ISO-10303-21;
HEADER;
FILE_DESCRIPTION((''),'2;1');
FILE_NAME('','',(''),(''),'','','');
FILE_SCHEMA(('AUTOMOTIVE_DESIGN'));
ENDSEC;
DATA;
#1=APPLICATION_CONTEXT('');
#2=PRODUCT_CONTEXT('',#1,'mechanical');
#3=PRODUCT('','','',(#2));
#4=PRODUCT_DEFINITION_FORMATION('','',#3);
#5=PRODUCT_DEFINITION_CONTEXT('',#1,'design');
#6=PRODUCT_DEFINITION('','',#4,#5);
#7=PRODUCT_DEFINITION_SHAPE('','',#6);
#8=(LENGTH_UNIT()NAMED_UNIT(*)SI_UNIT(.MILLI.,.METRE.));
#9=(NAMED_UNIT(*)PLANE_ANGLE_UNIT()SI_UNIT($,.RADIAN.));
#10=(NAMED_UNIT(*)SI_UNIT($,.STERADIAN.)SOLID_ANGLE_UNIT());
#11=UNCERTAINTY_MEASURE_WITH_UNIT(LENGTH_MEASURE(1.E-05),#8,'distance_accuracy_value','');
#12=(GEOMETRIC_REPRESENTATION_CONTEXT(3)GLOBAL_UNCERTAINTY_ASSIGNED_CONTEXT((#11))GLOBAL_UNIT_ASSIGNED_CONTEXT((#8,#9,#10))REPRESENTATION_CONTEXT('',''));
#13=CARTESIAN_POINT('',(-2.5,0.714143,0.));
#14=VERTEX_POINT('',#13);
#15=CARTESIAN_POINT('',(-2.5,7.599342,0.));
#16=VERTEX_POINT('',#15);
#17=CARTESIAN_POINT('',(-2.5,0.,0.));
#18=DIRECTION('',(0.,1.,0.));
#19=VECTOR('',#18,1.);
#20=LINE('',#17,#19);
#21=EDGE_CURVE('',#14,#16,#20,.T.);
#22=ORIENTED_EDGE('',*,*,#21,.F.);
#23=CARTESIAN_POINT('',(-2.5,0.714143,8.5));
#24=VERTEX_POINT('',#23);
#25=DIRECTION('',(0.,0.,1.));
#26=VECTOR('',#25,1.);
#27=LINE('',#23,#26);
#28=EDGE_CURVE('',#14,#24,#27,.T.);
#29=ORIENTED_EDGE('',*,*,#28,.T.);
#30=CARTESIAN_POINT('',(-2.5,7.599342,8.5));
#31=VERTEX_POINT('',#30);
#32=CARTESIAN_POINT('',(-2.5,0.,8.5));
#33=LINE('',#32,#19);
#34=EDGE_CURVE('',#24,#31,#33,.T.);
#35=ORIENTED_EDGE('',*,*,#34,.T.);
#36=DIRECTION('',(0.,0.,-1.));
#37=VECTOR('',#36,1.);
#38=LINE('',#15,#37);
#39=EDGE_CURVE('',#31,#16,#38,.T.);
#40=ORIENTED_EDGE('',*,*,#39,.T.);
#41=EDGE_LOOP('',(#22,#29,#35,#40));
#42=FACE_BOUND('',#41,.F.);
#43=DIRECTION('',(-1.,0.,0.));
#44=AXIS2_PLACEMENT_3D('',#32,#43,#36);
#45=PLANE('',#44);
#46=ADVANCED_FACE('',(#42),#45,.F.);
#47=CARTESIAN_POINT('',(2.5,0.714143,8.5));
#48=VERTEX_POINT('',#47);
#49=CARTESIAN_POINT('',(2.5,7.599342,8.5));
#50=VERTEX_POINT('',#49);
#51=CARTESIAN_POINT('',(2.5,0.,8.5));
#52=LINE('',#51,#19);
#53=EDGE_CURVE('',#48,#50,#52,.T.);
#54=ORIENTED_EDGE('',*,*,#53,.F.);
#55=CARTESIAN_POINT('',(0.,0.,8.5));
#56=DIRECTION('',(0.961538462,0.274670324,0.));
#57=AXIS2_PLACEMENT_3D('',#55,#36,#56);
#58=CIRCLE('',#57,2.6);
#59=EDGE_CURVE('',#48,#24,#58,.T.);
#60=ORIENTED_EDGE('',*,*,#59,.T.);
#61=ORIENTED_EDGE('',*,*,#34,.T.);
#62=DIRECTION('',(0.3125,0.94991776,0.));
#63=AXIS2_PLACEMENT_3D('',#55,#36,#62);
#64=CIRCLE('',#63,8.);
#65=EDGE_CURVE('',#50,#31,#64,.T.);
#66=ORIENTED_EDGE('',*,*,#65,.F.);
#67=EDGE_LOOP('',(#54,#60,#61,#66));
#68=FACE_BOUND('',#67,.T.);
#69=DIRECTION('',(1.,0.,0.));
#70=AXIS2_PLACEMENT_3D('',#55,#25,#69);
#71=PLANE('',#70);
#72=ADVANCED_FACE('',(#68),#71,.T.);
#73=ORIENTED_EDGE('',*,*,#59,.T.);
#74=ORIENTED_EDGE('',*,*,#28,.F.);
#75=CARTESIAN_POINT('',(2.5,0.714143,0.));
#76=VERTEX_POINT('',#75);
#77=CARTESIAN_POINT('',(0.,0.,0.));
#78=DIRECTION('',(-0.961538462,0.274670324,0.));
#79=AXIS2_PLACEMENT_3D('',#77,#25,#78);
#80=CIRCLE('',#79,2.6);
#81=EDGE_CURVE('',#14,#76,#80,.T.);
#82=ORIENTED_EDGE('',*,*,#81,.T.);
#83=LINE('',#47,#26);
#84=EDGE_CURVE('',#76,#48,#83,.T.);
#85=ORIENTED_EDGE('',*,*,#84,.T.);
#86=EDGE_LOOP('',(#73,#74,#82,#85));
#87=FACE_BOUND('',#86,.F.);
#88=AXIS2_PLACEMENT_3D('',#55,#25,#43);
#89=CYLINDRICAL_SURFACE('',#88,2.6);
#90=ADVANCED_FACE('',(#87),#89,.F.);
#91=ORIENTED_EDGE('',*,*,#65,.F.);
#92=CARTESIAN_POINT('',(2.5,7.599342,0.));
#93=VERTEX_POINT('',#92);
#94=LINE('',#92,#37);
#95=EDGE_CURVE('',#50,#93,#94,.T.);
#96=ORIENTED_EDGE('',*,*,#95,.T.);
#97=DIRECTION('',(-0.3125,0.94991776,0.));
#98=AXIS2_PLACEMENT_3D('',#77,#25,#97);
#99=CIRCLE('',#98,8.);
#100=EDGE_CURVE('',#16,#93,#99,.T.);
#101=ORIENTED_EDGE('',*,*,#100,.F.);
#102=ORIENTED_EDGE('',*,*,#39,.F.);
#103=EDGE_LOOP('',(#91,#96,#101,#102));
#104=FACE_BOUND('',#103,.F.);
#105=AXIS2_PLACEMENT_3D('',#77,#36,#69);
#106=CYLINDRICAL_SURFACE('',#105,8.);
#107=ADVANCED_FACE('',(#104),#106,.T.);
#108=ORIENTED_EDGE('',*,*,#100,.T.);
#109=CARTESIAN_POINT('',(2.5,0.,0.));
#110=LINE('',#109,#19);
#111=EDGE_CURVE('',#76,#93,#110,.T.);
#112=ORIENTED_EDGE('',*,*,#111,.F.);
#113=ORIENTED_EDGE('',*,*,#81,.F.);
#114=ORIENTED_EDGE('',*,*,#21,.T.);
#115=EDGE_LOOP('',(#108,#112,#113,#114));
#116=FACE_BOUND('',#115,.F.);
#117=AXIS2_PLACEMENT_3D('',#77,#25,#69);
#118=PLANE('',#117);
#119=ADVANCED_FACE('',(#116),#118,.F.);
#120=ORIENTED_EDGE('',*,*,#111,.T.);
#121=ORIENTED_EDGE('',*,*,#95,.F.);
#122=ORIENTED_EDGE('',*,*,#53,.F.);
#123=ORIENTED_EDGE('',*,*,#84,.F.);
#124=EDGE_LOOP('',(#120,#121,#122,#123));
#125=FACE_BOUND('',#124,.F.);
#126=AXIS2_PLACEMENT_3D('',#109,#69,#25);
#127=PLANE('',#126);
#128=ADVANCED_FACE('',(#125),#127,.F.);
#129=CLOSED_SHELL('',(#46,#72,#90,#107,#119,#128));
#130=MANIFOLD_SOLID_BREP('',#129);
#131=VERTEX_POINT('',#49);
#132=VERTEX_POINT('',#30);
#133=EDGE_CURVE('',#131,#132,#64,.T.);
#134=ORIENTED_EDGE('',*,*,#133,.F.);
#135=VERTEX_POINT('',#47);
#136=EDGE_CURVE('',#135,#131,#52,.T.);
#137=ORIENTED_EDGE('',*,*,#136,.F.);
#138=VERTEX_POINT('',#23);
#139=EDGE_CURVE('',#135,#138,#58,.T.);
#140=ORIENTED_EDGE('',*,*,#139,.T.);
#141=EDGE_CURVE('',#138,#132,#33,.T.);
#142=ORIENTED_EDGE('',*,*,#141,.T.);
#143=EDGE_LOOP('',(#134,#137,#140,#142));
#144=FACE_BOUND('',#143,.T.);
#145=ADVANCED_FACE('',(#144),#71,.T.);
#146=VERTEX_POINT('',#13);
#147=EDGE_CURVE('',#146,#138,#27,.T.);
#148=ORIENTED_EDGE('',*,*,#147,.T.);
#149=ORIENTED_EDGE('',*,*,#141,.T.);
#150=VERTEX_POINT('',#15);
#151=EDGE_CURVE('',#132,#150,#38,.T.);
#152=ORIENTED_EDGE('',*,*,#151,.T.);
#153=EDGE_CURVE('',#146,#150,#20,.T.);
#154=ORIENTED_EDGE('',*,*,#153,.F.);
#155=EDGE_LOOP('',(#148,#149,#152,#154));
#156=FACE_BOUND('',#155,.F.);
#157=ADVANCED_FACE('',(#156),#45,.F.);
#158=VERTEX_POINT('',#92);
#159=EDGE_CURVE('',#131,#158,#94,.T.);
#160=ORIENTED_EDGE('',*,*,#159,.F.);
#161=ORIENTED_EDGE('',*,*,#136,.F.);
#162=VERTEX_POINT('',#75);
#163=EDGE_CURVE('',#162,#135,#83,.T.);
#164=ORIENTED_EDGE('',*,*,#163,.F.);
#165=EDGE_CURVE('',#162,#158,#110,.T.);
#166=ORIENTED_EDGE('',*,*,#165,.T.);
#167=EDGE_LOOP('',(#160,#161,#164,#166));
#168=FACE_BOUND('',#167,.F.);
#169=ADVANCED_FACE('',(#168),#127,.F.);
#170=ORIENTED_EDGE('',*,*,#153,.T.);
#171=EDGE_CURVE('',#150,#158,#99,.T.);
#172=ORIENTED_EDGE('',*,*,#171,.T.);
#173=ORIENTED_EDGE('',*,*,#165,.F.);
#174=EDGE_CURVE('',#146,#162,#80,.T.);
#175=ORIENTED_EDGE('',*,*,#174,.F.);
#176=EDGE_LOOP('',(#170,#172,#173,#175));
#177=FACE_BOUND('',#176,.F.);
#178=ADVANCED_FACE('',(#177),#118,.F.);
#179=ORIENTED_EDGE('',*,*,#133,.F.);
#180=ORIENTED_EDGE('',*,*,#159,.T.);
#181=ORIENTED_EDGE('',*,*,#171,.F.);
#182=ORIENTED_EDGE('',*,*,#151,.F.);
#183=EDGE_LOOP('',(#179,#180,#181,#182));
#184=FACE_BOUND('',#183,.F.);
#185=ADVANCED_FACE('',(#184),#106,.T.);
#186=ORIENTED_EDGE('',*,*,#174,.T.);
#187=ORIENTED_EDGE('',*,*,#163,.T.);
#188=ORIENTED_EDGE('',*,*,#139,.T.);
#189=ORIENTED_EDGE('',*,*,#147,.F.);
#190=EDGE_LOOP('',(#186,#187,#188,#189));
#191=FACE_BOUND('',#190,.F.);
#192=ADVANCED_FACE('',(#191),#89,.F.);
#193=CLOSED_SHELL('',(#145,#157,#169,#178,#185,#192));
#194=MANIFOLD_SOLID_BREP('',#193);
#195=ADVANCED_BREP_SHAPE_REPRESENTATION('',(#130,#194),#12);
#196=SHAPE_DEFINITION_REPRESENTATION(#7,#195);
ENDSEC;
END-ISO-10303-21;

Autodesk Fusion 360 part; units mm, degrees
sketch "Sketch1" plane through (0, 0, 0) normal (0, 0, 1) x (1, 0, 0)
  circle A0 centre (0, 0) radius 8
  dimension "d7" = 16
extrude "Extrude2" add sketch "Sketch1" along normal blind 8.5 makes body 1
extrude "Extrude1" add sketch "Sketch1" along normal blind 8.5 separate body makes body 2
sketch "Sketch2" plane through (0, 0, 8.5) normal (0, 0, 1) x (-1, 0, 0)
  circle A0 centre (0, 0) radius 8
  circle A1 centre (0, 0) radius 2.6
  dimension "d12" = 5.2
extrude "Extrude3" cut sketch "Sketch2" against normal blind 108.5 contours A1 bodies 1 2
sketch "Sketch3" plane through (0, 0, 0) normal (0, 1, 0) x (1, 0, 0)
  line L0 (-2.5, 0) -> (2.5, 0)
  line L1 (2.5, 0) -> (2.5, -8.5)
  line L2 (2.5, -8.5) -> (-2.5, -8.5)
  line L3 (-2.5, -8.5) -> (-2.5, 0)
  dimension "d15" = 5
  dimension "d16" = 8.5
extrude "Extrude4" cut sketch "Sketch3" along normal blind 102.6 bodies 1 2
equation "outer_radius = 8 mm"
equation "shaft_hole_radius = 2.6 mm"
equation "screw_hole_length = length"
equation "length = 8.5 mm"
equation "extra = 100 mm"
equation "screw_hole_width = 5 mm"
equation "d7 = outer_radius * 2"
equation "d8 = length"
equation "d10 = length"
equation "d12 = shaft_hole_radius * 2"
equation "d13 = -( length + extra )"
equation "d15 = screw_hole_width"
equation "d16 = screw_hole_length"
equation "d17 = shaft_hole_radius + extra"
